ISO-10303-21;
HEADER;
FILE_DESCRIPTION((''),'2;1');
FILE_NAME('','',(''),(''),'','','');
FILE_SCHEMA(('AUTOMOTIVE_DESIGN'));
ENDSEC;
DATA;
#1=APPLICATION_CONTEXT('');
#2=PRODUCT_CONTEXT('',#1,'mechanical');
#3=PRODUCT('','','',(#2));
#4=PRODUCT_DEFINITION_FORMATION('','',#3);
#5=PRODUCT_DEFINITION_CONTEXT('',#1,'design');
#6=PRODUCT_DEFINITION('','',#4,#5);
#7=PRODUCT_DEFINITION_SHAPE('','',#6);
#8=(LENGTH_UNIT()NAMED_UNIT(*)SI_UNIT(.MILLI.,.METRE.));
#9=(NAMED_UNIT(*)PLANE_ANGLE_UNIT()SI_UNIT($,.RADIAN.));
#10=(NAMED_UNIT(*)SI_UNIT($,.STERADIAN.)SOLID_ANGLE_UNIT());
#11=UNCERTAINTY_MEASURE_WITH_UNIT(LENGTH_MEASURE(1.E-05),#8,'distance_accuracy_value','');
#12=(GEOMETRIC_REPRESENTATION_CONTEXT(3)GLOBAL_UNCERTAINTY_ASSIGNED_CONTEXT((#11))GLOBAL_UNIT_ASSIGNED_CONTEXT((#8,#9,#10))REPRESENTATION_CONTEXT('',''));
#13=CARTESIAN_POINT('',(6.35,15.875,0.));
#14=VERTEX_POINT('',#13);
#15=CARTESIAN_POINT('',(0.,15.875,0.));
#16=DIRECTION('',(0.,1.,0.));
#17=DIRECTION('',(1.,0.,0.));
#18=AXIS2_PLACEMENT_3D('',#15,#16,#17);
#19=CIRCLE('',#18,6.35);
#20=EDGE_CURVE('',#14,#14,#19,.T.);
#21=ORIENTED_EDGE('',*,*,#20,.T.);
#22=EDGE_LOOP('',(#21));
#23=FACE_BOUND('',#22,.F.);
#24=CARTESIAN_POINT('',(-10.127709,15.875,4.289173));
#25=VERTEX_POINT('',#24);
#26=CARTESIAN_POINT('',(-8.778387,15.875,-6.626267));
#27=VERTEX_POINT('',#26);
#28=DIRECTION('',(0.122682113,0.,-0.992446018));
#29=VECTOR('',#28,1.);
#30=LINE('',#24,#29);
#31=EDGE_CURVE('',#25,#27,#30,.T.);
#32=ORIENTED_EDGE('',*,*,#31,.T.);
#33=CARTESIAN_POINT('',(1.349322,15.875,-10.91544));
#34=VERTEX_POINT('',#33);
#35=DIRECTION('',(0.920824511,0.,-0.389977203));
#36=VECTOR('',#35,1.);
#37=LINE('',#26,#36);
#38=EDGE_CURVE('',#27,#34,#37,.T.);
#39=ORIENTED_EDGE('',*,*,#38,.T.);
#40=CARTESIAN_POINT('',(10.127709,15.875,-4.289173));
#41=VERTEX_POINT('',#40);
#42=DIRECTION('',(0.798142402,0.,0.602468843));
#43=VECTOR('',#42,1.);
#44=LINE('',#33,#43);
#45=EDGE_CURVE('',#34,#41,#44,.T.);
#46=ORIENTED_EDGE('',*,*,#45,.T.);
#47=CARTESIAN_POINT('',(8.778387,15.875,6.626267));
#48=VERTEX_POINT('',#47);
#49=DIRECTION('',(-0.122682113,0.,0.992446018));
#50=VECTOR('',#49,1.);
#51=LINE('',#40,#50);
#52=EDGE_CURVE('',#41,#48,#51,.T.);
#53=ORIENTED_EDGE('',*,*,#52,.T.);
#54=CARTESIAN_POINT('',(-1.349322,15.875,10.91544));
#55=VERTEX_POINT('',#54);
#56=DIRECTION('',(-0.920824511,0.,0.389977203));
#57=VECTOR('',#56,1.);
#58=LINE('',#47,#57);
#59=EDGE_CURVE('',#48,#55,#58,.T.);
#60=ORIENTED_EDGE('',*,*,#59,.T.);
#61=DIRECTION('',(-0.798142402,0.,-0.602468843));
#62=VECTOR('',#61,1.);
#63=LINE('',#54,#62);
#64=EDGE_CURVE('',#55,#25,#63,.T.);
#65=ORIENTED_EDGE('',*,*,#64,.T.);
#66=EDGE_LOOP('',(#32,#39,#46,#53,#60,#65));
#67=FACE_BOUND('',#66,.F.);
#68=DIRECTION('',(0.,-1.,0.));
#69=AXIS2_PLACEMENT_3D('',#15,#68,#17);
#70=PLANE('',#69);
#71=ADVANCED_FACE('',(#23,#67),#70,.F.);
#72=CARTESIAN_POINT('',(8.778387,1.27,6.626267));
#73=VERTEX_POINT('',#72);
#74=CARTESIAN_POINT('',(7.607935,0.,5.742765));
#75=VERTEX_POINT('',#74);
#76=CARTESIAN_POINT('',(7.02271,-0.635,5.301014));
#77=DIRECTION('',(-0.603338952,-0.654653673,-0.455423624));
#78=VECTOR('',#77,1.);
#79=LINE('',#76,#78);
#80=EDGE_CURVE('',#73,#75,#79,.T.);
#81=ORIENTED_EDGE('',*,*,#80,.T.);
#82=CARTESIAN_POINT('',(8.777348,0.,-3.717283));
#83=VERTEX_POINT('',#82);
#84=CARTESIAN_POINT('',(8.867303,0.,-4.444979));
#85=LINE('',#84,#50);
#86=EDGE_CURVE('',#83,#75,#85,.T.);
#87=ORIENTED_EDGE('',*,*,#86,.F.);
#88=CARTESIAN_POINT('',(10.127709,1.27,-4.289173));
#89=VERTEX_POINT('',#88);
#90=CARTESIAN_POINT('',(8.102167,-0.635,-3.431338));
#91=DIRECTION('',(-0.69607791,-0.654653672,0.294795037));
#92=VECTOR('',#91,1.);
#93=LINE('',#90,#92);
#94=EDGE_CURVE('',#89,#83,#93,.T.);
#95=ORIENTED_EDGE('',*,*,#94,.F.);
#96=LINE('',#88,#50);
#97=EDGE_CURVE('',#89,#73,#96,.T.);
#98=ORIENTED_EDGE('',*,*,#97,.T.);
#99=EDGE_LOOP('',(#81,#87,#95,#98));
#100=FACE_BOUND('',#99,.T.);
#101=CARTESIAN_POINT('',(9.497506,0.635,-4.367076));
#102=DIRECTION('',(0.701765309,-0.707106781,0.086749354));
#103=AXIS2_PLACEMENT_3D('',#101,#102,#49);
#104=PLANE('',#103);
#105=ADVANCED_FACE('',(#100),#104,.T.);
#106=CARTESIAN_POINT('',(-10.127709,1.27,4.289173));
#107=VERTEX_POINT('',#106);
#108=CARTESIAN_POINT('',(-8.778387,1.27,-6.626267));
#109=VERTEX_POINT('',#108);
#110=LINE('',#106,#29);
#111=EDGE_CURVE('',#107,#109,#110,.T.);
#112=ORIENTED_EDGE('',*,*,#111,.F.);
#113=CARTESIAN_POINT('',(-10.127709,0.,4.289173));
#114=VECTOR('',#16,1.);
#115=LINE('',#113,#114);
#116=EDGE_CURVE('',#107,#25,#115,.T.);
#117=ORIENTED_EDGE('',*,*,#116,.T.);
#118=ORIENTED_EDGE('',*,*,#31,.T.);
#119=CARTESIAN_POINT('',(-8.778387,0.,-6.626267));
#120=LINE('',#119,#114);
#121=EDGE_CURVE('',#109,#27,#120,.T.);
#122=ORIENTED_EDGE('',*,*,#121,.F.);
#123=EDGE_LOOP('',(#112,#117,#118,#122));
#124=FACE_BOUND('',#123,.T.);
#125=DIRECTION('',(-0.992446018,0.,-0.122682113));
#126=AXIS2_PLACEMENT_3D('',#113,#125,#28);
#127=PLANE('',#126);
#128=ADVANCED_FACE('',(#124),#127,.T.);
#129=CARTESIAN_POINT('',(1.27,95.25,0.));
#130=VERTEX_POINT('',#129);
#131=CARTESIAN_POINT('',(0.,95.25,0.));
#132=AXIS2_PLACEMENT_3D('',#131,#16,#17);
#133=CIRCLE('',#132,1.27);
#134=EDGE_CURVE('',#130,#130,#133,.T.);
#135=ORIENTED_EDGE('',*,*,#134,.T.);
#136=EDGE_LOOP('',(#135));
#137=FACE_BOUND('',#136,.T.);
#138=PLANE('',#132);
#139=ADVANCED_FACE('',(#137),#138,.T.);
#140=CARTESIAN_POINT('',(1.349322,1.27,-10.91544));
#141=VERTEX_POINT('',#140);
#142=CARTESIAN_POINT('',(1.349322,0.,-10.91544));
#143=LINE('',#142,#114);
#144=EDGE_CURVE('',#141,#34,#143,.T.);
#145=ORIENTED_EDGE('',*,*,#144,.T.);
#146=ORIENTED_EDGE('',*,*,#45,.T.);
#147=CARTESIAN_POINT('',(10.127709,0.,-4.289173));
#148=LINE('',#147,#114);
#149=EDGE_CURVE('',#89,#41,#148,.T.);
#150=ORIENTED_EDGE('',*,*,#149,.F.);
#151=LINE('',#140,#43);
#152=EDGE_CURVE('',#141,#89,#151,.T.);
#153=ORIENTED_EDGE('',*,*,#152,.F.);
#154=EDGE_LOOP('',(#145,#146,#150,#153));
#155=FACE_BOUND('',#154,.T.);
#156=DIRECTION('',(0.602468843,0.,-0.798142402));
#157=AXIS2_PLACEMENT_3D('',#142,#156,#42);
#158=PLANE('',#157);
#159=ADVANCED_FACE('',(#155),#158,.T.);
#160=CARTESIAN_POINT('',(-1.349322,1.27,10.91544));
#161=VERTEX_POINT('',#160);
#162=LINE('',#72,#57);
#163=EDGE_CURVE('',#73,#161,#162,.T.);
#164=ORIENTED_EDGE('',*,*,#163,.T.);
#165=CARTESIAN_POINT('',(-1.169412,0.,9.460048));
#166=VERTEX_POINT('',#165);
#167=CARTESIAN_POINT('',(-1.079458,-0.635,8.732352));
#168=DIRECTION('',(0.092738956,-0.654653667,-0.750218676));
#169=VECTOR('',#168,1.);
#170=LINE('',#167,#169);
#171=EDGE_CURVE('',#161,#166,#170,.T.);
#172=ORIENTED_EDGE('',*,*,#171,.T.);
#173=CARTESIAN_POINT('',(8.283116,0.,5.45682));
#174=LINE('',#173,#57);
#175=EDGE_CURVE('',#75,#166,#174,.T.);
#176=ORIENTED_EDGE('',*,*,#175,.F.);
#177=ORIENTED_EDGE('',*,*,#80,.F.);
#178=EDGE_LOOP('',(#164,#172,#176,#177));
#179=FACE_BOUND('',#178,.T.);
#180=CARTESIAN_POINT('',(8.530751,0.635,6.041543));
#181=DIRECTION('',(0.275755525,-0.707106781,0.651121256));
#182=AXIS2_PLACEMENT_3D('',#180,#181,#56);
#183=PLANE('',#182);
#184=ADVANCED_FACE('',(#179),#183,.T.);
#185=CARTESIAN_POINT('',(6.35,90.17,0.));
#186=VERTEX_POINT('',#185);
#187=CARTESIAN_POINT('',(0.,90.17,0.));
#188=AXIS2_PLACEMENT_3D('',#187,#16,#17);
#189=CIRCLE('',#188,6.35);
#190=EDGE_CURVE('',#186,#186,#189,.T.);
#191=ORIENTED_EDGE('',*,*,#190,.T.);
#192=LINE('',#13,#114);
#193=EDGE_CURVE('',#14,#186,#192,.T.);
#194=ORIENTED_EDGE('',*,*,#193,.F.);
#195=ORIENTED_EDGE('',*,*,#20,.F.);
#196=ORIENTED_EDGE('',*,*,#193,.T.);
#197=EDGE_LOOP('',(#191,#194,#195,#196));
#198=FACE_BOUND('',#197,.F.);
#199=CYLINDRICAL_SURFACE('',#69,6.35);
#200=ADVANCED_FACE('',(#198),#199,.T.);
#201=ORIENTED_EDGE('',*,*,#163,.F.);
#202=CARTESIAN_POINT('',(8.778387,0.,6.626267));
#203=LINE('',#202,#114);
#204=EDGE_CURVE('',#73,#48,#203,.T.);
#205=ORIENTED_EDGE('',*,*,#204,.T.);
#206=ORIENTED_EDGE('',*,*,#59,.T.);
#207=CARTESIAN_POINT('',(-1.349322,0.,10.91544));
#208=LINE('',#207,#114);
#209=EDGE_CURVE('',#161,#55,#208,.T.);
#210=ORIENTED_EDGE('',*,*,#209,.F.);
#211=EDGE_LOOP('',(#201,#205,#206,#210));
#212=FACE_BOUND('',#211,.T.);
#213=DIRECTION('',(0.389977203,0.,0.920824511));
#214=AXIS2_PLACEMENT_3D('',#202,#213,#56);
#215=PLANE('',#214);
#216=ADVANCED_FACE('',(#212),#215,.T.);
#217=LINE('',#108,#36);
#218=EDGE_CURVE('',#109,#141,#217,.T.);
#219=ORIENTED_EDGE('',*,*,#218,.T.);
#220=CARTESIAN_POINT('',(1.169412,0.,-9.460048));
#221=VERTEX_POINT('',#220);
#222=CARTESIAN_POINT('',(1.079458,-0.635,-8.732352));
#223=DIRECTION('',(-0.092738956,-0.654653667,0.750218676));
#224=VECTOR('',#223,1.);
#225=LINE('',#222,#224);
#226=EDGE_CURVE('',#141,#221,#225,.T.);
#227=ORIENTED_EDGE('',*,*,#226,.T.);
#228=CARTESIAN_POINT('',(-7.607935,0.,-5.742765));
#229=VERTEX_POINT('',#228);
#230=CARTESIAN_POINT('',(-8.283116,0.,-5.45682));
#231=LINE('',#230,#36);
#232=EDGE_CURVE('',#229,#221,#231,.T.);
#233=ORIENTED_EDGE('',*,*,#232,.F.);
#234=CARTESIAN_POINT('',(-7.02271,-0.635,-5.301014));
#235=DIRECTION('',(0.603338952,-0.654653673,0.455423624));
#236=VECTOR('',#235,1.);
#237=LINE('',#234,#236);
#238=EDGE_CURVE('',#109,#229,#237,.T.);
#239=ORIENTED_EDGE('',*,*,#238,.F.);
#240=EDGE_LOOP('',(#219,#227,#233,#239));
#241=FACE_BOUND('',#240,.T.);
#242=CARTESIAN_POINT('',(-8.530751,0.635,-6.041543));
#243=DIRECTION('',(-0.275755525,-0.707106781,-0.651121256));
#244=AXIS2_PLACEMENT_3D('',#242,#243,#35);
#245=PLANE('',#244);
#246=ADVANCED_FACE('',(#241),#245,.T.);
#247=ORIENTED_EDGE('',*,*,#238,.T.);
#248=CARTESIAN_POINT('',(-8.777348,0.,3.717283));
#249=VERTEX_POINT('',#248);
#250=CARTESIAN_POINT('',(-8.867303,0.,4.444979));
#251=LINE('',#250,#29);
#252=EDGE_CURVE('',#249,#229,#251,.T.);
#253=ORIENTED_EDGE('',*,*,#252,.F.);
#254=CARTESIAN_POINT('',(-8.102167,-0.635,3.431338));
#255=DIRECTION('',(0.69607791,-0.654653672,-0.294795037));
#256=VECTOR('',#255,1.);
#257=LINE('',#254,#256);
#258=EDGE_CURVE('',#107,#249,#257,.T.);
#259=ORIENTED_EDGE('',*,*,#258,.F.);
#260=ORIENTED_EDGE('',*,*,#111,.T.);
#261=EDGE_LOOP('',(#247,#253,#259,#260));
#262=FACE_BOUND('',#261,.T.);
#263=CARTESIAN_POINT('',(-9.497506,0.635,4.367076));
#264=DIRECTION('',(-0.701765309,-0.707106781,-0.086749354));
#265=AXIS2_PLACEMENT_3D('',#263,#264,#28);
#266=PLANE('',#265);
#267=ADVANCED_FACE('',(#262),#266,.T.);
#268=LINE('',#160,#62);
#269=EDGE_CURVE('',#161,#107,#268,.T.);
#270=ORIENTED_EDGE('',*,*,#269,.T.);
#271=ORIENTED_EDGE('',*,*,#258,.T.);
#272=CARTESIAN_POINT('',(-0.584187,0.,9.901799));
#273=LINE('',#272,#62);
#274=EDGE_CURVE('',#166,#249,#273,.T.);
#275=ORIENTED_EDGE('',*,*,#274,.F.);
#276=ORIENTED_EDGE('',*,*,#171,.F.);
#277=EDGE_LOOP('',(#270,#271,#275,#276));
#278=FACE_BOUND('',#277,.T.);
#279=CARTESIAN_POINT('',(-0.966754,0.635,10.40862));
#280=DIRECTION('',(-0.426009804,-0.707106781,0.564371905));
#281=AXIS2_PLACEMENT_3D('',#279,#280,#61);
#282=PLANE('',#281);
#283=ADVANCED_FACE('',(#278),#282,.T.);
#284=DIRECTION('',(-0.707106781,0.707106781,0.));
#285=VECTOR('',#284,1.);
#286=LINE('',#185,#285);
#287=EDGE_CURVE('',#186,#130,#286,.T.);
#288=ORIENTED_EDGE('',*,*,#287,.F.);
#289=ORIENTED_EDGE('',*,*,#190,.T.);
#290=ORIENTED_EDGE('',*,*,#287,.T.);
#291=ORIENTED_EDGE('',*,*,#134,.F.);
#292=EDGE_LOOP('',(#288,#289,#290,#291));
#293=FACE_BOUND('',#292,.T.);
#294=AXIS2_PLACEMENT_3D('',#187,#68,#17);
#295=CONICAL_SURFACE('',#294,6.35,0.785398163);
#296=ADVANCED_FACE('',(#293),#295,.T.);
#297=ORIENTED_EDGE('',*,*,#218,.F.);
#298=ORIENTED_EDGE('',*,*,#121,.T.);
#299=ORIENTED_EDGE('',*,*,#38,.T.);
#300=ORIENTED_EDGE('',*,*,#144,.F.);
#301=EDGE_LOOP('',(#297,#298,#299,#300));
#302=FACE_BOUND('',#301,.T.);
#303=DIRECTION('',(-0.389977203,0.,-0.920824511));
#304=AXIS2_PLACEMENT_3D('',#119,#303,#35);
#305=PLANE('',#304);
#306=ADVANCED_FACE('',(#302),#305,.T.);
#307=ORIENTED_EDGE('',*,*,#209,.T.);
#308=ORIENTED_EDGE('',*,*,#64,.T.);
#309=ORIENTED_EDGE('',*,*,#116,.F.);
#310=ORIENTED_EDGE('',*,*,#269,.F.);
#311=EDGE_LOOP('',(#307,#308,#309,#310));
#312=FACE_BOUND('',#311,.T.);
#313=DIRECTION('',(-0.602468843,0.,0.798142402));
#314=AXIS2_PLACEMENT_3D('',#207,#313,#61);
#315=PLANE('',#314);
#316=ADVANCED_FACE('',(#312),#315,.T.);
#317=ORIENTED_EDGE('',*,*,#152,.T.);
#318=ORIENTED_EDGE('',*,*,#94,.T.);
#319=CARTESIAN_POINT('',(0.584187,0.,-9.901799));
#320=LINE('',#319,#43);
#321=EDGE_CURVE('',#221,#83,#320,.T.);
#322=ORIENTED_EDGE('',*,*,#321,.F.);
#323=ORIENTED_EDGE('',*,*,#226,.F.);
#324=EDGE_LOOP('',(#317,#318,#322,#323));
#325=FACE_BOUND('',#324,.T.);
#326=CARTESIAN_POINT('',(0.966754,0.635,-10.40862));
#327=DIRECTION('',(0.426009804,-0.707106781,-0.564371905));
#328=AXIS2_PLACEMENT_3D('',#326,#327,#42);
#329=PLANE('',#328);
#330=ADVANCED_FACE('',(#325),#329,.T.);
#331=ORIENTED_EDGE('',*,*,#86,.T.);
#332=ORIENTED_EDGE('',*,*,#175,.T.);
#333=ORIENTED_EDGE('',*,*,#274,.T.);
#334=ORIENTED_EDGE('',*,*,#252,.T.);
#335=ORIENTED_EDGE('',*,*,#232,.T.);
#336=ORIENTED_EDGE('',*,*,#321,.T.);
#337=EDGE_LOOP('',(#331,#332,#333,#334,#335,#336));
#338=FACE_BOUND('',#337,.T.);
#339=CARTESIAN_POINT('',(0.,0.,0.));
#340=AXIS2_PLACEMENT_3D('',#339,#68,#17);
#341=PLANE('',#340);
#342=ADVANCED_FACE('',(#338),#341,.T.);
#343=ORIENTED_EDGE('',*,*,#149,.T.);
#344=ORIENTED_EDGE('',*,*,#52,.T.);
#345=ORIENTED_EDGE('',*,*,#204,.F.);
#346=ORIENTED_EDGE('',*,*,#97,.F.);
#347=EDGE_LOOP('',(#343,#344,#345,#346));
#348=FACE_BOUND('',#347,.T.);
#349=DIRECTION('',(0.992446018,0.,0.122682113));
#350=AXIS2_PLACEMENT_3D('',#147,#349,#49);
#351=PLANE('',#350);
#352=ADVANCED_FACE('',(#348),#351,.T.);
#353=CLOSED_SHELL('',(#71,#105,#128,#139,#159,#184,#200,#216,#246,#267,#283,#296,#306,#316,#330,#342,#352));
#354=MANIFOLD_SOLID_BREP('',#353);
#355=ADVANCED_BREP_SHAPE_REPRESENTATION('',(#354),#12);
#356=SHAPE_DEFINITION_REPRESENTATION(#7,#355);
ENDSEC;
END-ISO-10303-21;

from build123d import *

# Parameters (mm, degrees)
F1_DEPTH = 15.875
F2_SIZE  = 1.27
F4_R     = 6.35
F5_DEPTH = 79.375
F6_SIZE  = 5.08


with BuildPart() as f1:
    # F0 (on Front) → F1 (new body)
    with BuildSketch(Plane.XZ):
        Polygon((-1.349322, 10.91544), (-10.127709, 4.289173), (-8.778387, -6.626267), (1.349322, -10.91544), (10.127709, -4.289173), (8.778387, 6.626267), align=None)
    extrude(amount=-F1_DEPTH)

    # F2
    f2_edges = [f1.edges().sort_by_distance(p)[0] for p in [
        (3.714533, 0, 8.770853),
        (-5.738515, 0, 7.602307),
        (-9.453048, 0, -1.168547),
        (-3.714533, 0, -8.770853),
        (5.738515, 0, -7.602307),
        (9.453048, 0, 1.168547),
    ]]
    chamfer(f2_edges, length=F2_SIZE)

    # F4 (on offset) → F5 (join)
    with BuildSketch(Plane(origin=(0, 15.875, 0), x_dir=(1, 0, 0), z_dir=(0, 1, 0))):
        Circle(F4_R)
    extrude(amount=F5_DEPTH)

    # F6
    f6_edges = [f1.edges().sort_by_distance(p)[0] for p in [
        (-6.35, 95.25, 0),
    ]]
    chamfer(f6_edges, length=F6_SIZE)


solid = f1.part
